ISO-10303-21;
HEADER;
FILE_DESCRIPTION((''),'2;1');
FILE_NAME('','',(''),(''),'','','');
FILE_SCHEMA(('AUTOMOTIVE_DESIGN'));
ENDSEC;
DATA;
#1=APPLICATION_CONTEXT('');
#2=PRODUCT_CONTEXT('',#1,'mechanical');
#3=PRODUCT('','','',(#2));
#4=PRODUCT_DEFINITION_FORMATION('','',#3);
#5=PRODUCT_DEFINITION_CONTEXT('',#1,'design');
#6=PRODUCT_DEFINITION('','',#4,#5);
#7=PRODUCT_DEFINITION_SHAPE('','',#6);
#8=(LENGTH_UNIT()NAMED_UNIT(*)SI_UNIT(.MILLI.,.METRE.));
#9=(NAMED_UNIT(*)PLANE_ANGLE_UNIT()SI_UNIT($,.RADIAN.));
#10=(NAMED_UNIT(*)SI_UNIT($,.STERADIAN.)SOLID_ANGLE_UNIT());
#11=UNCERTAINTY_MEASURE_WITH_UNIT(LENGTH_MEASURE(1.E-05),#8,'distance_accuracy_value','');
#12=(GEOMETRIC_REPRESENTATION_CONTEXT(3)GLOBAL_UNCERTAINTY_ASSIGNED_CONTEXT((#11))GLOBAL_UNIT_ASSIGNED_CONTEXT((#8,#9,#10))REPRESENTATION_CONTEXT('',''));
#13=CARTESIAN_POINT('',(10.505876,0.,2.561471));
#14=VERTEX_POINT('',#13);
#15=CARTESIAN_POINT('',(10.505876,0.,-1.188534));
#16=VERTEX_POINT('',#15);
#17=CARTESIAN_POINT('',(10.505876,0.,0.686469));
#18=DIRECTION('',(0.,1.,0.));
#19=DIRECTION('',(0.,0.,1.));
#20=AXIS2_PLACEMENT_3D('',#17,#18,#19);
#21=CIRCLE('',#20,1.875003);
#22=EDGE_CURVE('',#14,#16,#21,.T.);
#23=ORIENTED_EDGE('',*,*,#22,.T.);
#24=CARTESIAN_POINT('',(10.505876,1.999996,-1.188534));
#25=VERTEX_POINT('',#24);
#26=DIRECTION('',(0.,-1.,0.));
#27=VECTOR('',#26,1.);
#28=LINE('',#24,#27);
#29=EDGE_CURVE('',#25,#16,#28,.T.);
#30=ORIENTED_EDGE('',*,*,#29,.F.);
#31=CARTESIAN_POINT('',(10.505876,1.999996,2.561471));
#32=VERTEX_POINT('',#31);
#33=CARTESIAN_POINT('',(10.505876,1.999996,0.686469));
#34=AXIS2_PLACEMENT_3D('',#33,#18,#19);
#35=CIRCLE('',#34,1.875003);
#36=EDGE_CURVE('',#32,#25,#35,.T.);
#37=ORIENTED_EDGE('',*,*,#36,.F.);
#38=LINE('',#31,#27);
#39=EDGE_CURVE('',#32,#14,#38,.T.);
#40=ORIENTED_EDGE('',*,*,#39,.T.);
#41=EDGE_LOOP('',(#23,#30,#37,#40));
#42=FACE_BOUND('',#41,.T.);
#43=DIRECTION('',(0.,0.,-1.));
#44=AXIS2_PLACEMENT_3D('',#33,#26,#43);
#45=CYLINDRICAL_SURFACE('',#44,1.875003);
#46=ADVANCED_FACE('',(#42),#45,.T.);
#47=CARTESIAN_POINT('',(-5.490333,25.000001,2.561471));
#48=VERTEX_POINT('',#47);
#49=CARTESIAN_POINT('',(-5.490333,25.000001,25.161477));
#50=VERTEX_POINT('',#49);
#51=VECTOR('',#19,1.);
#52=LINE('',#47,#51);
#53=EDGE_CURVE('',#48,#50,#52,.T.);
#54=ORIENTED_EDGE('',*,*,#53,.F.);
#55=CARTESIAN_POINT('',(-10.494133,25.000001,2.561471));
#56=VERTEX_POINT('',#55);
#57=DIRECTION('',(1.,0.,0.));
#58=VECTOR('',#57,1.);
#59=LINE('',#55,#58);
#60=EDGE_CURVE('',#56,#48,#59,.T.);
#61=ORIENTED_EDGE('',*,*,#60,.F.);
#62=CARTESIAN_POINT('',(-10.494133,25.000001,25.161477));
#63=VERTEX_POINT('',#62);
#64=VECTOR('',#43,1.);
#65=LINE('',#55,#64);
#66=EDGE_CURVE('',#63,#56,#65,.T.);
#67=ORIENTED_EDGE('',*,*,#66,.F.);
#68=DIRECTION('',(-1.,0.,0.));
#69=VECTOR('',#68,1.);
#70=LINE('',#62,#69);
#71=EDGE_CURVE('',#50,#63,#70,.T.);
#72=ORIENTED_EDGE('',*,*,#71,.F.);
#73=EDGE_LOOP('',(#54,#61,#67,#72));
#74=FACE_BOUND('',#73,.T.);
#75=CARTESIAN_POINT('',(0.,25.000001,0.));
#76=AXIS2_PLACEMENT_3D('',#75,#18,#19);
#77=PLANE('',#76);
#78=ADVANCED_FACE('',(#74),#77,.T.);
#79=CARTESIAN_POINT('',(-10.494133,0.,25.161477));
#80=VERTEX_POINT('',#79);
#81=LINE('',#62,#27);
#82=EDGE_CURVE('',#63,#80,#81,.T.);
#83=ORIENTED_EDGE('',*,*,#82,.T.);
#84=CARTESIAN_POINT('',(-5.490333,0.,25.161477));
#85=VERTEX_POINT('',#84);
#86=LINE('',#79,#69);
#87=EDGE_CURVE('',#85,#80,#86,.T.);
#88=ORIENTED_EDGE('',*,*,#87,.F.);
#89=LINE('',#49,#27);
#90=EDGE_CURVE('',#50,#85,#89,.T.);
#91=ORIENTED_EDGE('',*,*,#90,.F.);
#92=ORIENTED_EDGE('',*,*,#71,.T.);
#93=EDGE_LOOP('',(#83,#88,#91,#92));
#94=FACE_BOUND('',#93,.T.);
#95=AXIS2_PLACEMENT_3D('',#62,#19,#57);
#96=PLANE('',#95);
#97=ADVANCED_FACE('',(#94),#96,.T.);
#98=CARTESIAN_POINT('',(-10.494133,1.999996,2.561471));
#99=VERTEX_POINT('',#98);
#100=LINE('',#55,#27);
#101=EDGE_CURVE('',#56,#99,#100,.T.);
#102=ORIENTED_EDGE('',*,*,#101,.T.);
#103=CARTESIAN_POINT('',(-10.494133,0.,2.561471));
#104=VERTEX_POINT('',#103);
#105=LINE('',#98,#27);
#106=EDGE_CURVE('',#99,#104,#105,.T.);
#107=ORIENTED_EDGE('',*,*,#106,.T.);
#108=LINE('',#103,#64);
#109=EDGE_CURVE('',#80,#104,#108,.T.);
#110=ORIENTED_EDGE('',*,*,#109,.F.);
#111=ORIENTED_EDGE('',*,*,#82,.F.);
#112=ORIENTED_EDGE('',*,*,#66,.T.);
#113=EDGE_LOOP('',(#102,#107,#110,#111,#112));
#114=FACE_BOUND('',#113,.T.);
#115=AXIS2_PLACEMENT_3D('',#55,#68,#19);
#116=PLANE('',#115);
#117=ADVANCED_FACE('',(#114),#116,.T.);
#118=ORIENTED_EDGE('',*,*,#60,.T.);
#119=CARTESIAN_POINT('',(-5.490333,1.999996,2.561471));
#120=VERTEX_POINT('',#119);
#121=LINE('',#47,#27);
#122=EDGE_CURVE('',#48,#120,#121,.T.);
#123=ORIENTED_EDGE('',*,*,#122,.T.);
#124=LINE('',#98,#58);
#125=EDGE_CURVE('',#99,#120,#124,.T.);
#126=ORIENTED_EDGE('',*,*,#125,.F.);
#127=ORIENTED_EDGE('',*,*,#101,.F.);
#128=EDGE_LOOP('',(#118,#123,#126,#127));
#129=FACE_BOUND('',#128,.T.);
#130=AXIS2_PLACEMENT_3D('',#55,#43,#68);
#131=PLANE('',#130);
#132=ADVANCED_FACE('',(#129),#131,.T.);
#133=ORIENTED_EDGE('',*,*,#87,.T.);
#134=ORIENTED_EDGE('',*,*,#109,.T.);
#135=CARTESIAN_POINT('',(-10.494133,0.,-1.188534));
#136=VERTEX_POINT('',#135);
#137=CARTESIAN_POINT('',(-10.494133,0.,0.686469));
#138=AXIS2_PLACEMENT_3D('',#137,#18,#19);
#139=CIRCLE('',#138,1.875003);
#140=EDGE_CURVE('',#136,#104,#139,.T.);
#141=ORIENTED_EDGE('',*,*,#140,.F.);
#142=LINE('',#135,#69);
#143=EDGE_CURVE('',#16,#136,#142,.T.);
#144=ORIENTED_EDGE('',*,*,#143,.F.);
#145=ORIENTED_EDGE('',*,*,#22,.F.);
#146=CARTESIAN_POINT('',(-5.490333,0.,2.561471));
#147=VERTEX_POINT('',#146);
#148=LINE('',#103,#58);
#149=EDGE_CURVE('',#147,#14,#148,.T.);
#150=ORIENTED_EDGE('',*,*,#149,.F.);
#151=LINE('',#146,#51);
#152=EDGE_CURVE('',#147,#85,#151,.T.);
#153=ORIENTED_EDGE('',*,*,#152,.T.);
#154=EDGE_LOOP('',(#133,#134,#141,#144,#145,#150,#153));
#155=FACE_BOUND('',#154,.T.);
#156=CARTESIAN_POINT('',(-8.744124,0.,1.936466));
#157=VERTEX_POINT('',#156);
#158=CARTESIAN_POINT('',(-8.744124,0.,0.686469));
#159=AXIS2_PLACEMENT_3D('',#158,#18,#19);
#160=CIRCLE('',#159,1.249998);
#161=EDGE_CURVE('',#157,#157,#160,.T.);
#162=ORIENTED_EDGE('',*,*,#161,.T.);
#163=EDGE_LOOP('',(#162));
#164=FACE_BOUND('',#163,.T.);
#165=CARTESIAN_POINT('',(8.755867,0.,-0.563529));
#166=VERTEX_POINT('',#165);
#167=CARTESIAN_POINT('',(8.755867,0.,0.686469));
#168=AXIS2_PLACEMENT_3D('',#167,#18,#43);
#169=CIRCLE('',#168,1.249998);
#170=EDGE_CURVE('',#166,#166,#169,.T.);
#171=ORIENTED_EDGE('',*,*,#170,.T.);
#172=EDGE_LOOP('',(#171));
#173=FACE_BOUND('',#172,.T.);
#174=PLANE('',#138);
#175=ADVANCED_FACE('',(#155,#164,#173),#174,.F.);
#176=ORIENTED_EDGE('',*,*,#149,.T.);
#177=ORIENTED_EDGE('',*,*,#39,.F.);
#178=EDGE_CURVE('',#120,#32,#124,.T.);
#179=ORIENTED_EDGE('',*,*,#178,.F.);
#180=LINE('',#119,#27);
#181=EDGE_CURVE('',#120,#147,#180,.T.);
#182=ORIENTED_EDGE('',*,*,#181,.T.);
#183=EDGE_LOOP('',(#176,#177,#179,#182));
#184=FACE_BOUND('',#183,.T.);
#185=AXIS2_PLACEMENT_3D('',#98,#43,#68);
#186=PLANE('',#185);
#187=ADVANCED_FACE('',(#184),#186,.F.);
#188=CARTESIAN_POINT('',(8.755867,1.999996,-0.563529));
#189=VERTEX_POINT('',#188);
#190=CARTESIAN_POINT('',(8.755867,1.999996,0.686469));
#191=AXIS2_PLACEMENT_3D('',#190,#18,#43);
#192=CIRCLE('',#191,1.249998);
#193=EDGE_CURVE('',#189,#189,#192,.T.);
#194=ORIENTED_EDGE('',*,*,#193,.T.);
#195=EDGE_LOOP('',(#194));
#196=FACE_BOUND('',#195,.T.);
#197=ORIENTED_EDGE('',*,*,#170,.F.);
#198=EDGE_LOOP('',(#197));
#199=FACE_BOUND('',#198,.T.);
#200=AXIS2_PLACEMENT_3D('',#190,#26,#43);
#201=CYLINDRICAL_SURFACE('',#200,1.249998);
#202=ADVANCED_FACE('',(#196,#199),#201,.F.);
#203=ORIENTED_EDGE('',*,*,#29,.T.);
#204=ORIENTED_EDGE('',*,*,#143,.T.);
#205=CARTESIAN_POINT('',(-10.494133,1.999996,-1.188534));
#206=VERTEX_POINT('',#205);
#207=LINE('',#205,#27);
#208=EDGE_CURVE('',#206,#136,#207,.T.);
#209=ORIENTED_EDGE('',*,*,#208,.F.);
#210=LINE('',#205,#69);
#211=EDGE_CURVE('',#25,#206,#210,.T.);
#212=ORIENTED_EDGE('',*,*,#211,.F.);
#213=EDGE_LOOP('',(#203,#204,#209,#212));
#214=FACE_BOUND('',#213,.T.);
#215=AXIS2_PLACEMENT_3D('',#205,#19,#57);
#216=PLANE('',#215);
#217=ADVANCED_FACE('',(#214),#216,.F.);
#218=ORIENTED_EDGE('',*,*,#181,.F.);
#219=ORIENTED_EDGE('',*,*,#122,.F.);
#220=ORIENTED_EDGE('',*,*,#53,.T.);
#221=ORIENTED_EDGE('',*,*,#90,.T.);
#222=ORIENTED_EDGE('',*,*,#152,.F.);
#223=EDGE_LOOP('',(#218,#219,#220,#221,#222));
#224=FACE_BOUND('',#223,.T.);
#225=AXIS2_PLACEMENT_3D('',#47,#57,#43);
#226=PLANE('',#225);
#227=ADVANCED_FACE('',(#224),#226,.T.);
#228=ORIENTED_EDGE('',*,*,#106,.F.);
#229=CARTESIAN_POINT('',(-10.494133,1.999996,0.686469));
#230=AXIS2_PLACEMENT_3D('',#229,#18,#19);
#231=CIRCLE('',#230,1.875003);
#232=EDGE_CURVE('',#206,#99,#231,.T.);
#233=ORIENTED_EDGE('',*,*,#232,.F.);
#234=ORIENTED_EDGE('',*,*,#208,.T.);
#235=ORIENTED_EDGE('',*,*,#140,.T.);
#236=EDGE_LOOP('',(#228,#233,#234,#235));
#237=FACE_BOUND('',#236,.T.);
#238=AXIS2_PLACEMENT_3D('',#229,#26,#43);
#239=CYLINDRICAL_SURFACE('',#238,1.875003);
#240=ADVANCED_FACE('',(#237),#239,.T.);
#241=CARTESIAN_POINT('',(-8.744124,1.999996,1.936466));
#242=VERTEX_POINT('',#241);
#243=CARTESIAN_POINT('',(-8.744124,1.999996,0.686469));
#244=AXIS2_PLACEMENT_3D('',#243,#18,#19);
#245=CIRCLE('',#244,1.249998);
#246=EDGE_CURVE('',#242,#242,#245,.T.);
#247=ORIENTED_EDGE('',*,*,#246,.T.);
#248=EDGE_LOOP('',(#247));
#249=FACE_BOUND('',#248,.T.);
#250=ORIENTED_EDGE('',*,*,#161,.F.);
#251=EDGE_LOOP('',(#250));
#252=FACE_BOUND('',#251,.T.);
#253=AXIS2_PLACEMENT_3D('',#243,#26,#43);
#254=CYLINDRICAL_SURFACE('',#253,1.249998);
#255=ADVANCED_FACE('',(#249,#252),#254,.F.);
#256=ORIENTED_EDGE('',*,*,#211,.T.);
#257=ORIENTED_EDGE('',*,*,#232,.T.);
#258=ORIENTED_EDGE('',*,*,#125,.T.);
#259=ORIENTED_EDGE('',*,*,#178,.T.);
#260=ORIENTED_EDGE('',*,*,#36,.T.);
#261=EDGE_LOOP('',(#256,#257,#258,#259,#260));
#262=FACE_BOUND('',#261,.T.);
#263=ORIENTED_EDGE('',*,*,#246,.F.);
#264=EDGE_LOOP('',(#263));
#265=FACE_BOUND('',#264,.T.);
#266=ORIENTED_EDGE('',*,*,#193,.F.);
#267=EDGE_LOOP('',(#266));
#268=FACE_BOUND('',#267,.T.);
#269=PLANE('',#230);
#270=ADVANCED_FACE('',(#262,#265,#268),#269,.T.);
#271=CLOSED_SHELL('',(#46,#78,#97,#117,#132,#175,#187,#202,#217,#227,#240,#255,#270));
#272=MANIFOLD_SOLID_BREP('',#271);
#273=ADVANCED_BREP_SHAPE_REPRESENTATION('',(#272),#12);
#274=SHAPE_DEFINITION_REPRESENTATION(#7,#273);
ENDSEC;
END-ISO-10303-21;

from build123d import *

# Parameters (mm, degrees)
SKETCH1_R           = 1.2499975
BOSS_EXTRUDE1_DEPTH = 1.999996
SKETCH2_W           = 5.0038
SKETCH2_H           = 22.6000056
BOSS_EXTRUDE2_DEPTH = 25.0000008


with BuildPart() as part:
    # Sketch1 → Boss-Extrude1 (new body)
    with BuildSketch(Plane(origin=(0, 0, 0), x_dir=(1, 0, 0), z_dir=(0, 1, 0))):
        with BuildLine():
            Line((-10.494133055, 1.188533953), (10.505875745, 1.188533953))
            ThreePointArc((10.505875745, 1.188533953), (12.380878345, -0.686468647), (10.505875745, -2.561471247))
            Line((10.505875745, -2.561471247), (-10.494133055, -2.561471247))
            ThreePointArc((-10.494133055, -2.561471247), (-12.369135655, -0.686468647), (-10.494133055, 1.188533953))
        make_face()
        with Locations(Location((-8.744123855, -0.686468647, 0), (0, 0, 270))):
            Circle(SKETCH1_R, mode=Mode.SUBTRACT)
        with Locations(Location((8.755866545, -0.686468647, 0), (0, 0, 90))):
            Circle(SKETCH1_R, mode=Mode.SUBTRACT)
    extrude(amount=BOSS_EXTRUDE1_DEPTH)

    # Sketch2 → Boss-Extrude2 (add)
    with BuildSketch(Plane.XZ):
        with Locations((-7.992233055, 13.861474047)):
            Rectangle(SKETCH2_W, SKETCH2_H)
    extrude(amount=-BOSS_EXTRUDE2_DEPTH)


solid = part.part
